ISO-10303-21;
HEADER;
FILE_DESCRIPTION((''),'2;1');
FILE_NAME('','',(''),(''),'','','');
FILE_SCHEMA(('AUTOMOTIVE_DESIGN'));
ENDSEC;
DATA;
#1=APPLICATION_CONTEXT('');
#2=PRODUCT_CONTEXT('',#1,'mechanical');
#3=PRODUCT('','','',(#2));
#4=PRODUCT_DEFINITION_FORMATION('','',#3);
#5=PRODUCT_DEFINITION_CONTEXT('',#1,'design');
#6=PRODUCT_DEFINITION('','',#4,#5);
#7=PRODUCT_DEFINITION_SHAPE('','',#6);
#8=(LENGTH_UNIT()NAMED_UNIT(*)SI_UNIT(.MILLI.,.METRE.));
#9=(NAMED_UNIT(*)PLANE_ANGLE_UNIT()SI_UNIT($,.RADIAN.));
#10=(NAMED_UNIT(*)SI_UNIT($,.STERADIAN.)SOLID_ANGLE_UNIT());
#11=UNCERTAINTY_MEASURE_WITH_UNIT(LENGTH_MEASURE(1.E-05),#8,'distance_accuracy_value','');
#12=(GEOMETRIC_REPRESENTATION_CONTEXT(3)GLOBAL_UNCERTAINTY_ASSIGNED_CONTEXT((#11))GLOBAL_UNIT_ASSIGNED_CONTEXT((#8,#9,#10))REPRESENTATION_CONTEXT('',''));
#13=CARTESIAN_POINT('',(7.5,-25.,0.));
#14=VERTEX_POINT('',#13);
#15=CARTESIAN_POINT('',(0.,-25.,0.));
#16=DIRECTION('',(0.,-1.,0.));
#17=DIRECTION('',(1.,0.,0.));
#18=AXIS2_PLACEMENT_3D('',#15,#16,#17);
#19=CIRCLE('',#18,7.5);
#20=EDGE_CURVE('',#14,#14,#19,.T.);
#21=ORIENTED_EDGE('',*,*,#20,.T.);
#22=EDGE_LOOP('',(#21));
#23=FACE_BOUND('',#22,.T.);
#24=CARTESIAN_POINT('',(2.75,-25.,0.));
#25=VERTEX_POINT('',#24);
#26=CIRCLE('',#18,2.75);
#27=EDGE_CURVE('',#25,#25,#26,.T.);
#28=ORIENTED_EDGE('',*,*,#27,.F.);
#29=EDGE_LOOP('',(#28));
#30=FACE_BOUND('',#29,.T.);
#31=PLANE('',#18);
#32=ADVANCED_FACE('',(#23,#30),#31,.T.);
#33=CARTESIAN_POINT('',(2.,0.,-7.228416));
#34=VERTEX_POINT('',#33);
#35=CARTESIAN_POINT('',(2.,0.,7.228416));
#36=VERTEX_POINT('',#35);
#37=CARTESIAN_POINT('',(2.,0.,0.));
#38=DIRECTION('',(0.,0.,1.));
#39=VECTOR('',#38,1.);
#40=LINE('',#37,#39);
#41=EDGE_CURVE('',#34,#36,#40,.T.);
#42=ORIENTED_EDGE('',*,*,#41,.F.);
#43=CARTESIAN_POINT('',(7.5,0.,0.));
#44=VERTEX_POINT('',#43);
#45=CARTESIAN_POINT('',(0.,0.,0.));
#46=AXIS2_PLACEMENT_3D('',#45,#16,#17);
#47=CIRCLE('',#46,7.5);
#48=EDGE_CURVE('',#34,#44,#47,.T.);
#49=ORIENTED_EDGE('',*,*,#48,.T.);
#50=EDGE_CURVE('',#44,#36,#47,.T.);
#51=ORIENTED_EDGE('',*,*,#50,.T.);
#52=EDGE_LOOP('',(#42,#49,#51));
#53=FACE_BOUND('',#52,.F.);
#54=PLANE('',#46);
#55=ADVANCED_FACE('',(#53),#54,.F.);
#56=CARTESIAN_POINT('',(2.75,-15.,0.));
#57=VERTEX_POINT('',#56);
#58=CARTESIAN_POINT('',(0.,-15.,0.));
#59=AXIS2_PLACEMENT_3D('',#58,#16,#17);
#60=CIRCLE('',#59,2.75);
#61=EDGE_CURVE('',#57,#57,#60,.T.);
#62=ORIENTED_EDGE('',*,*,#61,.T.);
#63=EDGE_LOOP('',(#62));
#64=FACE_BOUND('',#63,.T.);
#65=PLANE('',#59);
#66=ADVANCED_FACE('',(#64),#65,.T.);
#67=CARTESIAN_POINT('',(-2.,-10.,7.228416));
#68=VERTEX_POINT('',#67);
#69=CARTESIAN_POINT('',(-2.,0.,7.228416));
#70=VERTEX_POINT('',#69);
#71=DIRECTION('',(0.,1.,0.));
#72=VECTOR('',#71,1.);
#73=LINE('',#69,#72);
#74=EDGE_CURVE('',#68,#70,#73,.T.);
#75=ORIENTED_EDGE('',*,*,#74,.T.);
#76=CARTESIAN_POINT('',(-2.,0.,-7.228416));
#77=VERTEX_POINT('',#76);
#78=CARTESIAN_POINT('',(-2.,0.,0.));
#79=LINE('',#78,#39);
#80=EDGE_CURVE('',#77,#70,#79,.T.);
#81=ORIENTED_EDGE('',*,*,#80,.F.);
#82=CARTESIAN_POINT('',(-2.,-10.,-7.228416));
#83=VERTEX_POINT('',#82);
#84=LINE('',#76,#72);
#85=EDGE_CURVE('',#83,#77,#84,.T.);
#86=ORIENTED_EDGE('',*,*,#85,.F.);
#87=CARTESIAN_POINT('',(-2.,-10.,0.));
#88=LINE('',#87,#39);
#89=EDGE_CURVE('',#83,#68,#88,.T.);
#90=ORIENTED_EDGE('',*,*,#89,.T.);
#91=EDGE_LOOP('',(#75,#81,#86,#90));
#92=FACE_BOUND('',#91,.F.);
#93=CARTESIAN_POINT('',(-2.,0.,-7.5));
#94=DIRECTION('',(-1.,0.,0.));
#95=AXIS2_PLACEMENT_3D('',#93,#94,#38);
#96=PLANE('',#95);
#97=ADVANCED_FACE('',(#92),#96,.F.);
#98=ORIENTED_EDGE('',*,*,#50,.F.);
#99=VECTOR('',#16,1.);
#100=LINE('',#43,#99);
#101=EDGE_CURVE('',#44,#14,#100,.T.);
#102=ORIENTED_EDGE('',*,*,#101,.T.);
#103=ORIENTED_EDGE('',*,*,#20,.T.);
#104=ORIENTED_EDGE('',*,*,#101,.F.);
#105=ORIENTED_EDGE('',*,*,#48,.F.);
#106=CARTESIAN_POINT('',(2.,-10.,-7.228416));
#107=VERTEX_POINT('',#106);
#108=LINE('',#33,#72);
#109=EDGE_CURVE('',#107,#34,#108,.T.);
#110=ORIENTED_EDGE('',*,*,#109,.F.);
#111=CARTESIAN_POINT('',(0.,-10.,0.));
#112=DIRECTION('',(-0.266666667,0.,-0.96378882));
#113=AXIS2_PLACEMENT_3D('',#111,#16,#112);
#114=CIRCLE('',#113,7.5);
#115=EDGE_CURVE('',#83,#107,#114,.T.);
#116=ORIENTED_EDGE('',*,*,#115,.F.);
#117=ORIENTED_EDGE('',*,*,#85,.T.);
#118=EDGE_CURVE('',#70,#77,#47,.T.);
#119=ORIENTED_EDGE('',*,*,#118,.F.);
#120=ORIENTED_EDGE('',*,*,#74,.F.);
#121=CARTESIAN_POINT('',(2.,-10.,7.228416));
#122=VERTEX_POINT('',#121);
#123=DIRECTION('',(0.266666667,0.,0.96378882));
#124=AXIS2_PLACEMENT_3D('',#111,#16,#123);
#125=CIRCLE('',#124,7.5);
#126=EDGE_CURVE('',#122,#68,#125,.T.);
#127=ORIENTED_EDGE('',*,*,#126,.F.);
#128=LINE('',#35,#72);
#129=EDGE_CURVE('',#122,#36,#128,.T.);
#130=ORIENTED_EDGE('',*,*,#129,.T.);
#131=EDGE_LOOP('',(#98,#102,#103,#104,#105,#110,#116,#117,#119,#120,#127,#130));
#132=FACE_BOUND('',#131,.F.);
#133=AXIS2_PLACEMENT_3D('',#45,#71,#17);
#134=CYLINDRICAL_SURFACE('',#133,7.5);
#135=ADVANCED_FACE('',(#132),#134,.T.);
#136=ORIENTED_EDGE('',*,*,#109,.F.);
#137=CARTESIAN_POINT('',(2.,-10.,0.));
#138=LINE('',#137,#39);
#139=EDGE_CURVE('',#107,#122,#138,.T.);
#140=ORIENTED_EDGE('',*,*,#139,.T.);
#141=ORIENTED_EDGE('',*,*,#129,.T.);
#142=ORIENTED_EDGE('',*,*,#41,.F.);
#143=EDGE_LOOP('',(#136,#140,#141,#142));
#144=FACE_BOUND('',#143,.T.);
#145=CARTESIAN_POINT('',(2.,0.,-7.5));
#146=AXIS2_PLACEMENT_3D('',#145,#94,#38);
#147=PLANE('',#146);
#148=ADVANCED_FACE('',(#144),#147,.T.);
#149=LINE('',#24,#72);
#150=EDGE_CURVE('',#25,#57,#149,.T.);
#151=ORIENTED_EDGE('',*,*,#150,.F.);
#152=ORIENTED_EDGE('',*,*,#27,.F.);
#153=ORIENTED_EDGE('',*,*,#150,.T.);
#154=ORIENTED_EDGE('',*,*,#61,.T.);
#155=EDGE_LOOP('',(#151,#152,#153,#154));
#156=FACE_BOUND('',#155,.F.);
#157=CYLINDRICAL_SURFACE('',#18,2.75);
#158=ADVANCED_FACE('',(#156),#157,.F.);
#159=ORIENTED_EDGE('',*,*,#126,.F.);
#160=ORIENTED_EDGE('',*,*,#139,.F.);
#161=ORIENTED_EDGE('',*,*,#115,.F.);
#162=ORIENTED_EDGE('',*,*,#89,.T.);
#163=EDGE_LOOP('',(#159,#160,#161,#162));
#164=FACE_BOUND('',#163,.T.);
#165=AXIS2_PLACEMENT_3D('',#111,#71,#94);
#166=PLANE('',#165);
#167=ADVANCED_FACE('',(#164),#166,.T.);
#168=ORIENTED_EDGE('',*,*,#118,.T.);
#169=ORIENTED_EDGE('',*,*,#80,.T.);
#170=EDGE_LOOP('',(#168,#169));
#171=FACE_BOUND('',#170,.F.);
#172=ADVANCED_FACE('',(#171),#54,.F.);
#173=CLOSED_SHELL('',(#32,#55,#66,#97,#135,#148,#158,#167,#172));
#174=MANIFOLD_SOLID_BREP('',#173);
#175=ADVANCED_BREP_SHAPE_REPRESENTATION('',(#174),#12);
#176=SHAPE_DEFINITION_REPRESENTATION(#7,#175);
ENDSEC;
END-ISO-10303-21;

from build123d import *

# Parameters (mm, degrees)
F0_R     = 7.5
F1_DEPTH = 25
F2_R     = 2.75
F3_DEPTH = 10
F4_W     = 4
F4_H     = 15
F5_DEPTH = 10


with BuildPart() as f1:
    # F0 (on Front) → F1 (new body)
    with BuildSketch(Plane.XZ):
        Circle(F0_R)
    extrude(amount=F1_DEPTH)

    # F2 (on face) → F3 (cut)
    with BuildSketch(Plane.XZ.offset(25)):
        Circle(F2_R)
    extrude(amount=-F3_DEPTH, mode=Mode.SUBTRACT)

    # F4 (on face) → F5 (cut)
    with BuildSketch(Plane(origin=(0, 0, 0), x_dir=(-1, 0, 0), z_dir=(0, 1, 0))):
        Rectangle(F4_W, F4_H)
    extrude(amount=-F5_DEPTH, mode=Mode.SUBTRACT)


solid = f1.part
